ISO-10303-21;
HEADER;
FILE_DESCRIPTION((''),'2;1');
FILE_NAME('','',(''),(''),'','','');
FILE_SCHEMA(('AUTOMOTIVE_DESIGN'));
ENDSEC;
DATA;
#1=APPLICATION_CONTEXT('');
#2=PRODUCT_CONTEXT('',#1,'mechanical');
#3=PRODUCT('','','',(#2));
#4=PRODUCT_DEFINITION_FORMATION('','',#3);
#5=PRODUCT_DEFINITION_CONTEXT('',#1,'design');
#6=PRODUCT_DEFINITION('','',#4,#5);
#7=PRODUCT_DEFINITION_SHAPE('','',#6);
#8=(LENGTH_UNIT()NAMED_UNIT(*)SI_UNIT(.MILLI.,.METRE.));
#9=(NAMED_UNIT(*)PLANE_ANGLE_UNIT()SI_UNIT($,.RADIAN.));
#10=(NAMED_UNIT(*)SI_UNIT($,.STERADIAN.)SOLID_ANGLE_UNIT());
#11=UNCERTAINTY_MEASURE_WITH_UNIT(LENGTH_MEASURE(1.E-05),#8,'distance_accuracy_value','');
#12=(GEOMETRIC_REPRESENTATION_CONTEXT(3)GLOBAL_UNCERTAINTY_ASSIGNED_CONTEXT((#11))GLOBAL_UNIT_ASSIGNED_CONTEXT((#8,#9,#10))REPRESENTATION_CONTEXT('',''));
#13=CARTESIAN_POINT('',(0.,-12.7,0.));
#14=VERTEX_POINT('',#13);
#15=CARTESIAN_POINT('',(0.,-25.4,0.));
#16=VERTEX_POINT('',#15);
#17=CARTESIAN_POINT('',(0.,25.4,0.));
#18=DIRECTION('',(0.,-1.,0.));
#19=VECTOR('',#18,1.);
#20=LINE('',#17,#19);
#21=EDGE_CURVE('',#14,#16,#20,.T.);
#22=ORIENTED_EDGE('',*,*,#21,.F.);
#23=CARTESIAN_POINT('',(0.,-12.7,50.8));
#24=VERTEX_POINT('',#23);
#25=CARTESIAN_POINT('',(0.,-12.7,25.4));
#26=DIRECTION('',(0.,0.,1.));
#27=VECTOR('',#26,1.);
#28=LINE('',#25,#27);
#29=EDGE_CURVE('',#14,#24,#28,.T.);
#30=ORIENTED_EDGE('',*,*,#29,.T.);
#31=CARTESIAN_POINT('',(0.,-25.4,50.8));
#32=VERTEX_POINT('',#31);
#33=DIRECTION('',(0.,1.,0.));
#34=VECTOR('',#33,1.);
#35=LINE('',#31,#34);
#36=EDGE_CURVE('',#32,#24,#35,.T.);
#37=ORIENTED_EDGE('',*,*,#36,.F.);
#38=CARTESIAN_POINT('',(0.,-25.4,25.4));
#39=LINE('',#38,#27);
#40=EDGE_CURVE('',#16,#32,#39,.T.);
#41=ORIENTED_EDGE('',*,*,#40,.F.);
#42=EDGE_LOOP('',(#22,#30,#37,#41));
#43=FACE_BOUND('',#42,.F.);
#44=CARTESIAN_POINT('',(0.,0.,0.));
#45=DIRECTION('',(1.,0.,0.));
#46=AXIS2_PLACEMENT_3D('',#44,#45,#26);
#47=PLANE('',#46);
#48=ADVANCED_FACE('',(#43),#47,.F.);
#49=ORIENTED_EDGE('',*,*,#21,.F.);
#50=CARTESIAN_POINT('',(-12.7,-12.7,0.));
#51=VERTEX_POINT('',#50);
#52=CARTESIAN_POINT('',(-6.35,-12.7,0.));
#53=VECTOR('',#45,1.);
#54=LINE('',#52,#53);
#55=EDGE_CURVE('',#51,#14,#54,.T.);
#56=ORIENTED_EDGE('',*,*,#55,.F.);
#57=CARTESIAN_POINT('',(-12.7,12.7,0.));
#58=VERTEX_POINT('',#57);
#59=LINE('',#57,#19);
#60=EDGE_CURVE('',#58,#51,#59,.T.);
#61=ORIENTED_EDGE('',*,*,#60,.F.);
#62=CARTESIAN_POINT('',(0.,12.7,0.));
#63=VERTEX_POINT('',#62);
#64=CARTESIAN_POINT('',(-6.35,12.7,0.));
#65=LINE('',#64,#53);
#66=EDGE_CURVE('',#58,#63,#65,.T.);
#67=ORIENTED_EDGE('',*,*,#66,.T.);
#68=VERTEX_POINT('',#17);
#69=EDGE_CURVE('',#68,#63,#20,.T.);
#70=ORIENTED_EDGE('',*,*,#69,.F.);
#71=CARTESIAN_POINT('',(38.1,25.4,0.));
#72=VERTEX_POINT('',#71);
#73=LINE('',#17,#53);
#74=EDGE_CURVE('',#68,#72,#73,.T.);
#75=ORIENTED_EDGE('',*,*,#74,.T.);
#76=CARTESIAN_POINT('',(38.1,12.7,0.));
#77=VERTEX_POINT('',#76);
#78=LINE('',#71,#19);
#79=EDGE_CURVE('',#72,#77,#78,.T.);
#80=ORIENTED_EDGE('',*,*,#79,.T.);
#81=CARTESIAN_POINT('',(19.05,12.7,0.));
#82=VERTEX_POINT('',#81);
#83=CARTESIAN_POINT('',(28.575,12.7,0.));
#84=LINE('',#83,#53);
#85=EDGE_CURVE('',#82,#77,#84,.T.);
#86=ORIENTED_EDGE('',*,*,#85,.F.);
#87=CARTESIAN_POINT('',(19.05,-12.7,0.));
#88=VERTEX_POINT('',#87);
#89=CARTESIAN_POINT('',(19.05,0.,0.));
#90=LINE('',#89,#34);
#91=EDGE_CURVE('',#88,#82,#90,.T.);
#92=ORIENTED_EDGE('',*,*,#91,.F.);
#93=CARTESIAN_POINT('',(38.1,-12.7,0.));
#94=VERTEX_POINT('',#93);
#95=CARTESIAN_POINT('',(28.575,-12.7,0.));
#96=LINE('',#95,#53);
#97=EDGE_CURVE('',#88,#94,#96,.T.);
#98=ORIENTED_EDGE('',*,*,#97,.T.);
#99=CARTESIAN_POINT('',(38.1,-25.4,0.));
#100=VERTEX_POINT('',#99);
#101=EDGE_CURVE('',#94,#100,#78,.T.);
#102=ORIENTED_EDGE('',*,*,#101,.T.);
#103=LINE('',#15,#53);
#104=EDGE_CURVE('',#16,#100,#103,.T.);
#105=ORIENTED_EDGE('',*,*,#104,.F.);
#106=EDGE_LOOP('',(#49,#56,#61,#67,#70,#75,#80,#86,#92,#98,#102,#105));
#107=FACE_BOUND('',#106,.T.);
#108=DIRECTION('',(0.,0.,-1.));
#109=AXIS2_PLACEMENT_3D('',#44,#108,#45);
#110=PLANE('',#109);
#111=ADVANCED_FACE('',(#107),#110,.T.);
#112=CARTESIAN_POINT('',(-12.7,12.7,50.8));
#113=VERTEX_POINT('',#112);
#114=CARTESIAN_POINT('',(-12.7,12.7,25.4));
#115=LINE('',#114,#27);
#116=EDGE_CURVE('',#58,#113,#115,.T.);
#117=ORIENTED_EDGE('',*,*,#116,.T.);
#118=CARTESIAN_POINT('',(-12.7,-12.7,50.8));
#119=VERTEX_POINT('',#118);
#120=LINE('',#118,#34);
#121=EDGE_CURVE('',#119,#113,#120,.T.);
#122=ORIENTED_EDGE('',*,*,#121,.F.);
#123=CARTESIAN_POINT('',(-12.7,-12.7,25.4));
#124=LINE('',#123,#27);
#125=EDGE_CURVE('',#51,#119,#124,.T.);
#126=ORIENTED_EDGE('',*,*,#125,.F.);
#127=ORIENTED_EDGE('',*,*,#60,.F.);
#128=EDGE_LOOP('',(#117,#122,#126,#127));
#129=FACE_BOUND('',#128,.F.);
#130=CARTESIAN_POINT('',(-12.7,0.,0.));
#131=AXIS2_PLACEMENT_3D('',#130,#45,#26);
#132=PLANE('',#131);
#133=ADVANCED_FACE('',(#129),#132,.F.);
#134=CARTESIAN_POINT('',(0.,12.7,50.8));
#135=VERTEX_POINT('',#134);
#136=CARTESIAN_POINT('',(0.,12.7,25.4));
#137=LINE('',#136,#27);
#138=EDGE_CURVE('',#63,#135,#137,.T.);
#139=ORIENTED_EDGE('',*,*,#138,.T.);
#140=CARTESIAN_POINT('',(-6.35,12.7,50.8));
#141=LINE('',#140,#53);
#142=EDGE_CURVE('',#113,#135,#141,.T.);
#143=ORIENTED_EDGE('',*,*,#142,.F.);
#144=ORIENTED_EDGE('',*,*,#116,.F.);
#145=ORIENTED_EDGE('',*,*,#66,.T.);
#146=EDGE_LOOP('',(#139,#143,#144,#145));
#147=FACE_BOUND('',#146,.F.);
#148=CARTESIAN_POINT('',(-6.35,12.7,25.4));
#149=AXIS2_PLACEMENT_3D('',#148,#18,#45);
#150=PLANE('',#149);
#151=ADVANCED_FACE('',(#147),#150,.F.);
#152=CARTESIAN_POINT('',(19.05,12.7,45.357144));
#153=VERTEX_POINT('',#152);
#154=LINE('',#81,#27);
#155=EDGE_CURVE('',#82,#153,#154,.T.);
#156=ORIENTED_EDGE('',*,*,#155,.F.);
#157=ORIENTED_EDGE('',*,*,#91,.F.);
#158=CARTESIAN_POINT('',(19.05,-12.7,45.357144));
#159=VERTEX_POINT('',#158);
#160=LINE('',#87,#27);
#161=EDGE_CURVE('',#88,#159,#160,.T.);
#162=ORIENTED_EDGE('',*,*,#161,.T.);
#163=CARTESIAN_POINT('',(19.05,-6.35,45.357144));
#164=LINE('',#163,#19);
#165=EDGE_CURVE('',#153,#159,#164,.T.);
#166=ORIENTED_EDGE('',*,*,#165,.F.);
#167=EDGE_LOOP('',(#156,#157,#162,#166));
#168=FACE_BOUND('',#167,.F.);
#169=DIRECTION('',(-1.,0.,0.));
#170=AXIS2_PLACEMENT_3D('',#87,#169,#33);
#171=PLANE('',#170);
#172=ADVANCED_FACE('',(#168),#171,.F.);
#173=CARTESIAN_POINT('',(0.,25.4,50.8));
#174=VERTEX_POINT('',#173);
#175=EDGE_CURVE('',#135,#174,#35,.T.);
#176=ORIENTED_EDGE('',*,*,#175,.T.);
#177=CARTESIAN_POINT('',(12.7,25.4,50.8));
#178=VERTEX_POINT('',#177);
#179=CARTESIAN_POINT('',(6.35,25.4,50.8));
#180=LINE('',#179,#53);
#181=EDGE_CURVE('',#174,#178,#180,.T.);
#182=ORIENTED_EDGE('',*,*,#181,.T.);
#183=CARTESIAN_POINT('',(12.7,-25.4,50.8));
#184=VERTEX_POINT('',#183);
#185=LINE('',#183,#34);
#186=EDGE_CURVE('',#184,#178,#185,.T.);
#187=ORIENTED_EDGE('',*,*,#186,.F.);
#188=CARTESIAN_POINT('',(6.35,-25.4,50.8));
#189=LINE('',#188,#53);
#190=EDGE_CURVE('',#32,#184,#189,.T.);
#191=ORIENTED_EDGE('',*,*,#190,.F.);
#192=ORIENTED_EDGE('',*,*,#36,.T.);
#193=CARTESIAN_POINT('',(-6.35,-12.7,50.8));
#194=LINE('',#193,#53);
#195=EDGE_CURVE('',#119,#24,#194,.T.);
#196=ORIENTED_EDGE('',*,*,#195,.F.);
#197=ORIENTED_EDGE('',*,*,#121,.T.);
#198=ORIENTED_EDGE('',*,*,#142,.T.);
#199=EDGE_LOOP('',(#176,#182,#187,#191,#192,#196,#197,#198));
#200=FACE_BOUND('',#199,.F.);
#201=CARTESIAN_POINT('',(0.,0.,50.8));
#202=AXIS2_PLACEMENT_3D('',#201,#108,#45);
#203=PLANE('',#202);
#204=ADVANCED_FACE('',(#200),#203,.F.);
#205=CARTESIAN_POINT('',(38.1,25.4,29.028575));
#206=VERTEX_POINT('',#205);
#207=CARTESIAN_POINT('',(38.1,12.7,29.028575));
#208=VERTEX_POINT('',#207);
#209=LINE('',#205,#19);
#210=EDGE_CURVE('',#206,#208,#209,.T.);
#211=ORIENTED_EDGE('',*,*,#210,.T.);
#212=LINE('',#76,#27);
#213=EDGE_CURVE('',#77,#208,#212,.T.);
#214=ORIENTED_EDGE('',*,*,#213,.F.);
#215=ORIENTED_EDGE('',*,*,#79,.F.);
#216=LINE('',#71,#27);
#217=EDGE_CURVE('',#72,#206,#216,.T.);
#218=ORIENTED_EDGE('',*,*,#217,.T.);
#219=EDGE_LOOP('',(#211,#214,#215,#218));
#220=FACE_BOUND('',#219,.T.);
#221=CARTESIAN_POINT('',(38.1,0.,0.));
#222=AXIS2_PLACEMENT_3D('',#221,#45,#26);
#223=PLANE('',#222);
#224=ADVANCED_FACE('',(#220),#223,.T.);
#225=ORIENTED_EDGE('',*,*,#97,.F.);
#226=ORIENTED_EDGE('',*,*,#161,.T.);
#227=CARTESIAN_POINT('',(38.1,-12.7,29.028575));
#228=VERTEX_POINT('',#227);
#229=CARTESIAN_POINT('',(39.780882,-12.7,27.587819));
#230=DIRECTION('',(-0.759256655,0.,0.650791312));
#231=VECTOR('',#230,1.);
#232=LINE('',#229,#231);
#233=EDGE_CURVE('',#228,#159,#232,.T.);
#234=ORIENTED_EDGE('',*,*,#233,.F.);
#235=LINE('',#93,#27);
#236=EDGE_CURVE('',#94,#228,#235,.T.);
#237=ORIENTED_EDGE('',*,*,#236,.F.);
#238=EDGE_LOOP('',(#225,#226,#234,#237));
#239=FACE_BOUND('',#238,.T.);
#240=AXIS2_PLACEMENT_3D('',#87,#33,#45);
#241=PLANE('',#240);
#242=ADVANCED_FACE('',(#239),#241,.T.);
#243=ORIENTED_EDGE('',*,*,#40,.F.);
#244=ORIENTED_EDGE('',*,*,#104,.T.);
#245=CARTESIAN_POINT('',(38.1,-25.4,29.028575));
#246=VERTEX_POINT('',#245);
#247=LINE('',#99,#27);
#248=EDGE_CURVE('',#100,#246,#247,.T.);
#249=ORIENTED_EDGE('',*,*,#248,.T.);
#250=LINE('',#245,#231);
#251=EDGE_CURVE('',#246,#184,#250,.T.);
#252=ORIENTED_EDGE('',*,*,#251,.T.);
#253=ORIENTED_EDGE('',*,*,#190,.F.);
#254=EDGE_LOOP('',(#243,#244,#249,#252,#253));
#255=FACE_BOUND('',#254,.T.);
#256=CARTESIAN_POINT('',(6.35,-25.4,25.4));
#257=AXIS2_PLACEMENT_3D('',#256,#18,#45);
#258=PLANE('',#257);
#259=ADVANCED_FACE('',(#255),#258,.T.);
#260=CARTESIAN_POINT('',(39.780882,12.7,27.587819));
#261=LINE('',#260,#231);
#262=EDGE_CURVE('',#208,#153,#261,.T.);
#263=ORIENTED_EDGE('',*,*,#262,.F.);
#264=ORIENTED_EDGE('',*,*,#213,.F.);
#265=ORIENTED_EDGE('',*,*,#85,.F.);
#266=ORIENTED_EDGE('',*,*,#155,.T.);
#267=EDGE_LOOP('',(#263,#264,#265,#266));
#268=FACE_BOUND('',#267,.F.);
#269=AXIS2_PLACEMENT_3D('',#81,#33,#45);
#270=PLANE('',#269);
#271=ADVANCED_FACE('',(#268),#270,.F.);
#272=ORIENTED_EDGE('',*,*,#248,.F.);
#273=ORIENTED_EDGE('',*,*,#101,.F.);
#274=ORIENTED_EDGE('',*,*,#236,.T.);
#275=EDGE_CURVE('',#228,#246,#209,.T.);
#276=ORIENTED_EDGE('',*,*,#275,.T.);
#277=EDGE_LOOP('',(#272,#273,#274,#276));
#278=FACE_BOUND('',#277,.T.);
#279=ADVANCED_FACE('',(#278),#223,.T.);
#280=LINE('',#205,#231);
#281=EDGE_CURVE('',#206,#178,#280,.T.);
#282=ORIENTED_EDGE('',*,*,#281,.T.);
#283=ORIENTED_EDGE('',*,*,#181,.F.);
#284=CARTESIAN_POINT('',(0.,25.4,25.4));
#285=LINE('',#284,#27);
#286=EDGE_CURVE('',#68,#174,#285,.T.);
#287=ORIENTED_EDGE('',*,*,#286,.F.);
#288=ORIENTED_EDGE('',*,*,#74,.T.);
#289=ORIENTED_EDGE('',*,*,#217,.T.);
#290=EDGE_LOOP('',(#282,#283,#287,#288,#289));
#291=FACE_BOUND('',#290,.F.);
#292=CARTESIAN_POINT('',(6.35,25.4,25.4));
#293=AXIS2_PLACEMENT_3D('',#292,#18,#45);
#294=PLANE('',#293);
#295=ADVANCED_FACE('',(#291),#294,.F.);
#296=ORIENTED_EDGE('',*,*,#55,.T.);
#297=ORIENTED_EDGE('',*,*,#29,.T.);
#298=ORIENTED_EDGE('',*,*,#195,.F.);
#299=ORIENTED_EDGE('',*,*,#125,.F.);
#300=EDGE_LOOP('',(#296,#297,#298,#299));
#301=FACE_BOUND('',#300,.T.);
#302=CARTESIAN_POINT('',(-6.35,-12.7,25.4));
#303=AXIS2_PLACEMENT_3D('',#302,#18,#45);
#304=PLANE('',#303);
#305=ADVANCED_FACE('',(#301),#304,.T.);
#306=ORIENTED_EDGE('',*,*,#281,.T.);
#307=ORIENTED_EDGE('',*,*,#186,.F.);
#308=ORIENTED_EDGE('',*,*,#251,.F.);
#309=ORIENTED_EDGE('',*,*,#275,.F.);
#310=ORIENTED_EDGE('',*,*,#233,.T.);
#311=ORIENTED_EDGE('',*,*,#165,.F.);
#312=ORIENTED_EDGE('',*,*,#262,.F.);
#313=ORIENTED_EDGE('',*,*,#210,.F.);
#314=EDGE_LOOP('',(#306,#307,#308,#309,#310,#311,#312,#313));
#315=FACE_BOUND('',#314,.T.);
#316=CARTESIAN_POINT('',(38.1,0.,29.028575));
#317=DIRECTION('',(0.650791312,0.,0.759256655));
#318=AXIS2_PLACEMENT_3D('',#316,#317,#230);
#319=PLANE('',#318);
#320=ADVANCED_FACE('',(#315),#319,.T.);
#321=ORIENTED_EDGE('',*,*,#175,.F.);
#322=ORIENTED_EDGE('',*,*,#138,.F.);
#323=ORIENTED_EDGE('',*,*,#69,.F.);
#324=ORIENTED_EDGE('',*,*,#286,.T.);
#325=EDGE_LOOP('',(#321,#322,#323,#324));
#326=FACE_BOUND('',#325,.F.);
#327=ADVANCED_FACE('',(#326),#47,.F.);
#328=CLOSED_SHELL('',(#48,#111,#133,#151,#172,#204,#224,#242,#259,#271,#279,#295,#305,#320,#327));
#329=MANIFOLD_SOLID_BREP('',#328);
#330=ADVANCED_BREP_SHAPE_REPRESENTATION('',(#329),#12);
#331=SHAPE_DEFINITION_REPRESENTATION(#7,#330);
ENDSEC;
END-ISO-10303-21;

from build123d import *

# Parameters (mm, degrees)
F0_W     = 12.7
F0_H     = 50.8
F1_DEPTH = 25.4
F2_DEPTH = 12.7
F3_W     = 19.05
F3_H     = 25.4
F4_DEPTH = 50.8


with BuildPart() as f1:
    # F0 (on Front) → F1 (new body, symmetric)
    with BuildSketch(Plane.XZ):
        with Locations((6.35, 25.4)):
            Rectangle(F0_W, F0_H)
        Polygon((12.7, 50.8), (12.7, 0), (38.1, 0), (38.1, 29.028575), align=None)
    extrude(amount=F1_DEPTH, both=True)

    # F0 (on Front) → F2 (join, symmetric)
    with BuildSketch(Plane.XZ):
        with Locations((-6.35, 25.4)):
            Rectangle(F0_W, F0_H)
    extrude(amount=F2_DEPTH, both=True)

    # F3 (on Top) → F4 (cut)
    with BuildSketch(Plane.XY):
        with Locations((28.575, 0)):
            Rectangle(F3_W, F3_H)
    extrude(amount=F4_DEPTH, mode=Mode.SUBTRACT)


solid = f1.part
